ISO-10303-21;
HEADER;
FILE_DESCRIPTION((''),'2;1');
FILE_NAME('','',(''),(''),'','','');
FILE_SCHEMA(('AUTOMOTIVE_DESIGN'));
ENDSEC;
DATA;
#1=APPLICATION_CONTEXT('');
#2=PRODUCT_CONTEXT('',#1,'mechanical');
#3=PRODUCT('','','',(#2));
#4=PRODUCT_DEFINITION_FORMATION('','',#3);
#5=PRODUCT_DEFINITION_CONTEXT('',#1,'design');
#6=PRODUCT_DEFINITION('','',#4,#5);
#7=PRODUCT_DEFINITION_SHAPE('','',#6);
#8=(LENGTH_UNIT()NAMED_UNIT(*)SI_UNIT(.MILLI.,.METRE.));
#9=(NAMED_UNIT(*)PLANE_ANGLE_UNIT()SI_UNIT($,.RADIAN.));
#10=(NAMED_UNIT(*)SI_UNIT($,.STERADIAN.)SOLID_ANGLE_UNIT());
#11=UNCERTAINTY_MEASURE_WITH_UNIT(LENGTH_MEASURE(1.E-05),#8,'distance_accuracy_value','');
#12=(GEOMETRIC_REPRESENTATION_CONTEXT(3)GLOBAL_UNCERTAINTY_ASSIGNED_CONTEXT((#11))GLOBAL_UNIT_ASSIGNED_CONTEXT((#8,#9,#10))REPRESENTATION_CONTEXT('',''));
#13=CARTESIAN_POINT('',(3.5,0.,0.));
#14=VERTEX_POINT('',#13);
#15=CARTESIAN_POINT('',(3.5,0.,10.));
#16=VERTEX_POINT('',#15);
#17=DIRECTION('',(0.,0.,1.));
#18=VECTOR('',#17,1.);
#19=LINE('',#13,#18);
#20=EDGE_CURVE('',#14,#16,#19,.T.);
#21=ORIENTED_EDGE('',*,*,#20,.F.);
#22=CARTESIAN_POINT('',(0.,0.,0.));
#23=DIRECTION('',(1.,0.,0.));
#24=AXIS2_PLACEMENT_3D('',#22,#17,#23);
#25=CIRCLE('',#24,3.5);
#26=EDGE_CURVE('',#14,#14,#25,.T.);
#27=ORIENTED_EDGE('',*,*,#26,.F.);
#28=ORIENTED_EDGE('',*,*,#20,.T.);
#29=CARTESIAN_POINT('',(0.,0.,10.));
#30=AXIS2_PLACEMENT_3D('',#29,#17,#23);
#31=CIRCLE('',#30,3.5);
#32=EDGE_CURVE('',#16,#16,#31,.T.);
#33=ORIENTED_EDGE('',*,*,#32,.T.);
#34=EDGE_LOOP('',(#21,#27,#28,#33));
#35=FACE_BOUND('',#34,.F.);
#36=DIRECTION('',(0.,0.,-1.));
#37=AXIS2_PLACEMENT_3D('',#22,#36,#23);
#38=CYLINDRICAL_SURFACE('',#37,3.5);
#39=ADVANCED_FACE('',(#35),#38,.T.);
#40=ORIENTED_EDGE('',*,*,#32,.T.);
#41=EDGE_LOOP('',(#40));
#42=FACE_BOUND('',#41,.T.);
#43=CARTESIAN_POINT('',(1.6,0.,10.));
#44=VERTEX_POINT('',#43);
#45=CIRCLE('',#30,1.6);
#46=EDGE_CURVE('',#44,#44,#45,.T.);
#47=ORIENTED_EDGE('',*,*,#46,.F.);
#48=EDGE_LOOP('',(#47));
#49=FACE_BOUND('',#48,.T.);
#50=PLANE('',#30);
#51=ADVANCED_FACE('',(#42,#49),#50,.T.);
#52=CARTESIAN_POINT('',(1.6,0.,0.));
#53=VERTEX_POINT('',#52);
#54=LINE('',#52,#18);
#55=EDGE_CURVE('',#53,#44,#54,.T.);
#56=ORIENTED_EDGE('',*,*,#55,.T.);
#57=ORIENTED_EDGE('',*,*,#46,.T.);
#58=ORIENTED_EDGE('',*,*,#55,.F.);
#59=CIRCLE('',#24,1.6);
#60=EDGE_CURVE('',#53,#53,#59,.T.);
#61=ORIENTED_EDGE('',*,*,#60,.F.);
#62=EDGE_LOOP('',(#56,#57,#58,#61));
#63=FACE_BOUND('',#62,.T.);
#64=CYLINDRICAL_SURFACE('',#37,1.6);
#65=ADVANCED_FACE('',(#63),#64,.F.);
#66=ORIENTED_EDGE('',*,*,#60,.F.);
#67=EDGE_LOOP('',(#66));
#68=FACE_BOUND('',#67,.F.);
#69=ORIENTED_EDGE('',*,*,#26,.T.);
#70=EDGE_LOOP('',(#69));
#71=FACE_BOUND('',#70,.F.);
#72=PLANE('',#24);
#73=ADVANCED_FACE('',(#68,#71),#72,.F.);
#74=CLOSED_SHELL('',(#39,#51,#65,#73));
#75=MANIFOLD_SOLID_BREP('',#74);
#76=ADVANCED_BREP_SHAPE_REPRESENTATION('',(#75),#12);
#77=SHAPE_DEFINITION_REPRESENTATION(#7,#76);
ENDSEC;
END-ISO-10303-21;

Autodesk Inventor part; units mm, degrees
ref_plane "YZ Plane" through (0, 0, 0) normal (1, 0, 0) x (0, 1, 0)
ref_plane "XZ Plane" through (0, 0, 0) normal (0, 1, 0) x (-1, 0, 0)
ref_plane "XY Plane" through (0, 0, 0) normal (0, 0, 1) x (1, 0, 0)
sketch "Sketch1" plane through (0, 0, 0) normal (0, 0, 1) x (1, 0, 0)
  circle A0 centre (0, 0) radius 1.6
  circle A1 centre (0, 0) radius 3.5
  dimension "d0" = 7
  dimension "d1" = 3.2
extrude "Extrusion1" add sketch "Sketch1" along normal blind 10
properties part number "Ceramic-cylinder-7x3.2x10" material "Polystyrene"
